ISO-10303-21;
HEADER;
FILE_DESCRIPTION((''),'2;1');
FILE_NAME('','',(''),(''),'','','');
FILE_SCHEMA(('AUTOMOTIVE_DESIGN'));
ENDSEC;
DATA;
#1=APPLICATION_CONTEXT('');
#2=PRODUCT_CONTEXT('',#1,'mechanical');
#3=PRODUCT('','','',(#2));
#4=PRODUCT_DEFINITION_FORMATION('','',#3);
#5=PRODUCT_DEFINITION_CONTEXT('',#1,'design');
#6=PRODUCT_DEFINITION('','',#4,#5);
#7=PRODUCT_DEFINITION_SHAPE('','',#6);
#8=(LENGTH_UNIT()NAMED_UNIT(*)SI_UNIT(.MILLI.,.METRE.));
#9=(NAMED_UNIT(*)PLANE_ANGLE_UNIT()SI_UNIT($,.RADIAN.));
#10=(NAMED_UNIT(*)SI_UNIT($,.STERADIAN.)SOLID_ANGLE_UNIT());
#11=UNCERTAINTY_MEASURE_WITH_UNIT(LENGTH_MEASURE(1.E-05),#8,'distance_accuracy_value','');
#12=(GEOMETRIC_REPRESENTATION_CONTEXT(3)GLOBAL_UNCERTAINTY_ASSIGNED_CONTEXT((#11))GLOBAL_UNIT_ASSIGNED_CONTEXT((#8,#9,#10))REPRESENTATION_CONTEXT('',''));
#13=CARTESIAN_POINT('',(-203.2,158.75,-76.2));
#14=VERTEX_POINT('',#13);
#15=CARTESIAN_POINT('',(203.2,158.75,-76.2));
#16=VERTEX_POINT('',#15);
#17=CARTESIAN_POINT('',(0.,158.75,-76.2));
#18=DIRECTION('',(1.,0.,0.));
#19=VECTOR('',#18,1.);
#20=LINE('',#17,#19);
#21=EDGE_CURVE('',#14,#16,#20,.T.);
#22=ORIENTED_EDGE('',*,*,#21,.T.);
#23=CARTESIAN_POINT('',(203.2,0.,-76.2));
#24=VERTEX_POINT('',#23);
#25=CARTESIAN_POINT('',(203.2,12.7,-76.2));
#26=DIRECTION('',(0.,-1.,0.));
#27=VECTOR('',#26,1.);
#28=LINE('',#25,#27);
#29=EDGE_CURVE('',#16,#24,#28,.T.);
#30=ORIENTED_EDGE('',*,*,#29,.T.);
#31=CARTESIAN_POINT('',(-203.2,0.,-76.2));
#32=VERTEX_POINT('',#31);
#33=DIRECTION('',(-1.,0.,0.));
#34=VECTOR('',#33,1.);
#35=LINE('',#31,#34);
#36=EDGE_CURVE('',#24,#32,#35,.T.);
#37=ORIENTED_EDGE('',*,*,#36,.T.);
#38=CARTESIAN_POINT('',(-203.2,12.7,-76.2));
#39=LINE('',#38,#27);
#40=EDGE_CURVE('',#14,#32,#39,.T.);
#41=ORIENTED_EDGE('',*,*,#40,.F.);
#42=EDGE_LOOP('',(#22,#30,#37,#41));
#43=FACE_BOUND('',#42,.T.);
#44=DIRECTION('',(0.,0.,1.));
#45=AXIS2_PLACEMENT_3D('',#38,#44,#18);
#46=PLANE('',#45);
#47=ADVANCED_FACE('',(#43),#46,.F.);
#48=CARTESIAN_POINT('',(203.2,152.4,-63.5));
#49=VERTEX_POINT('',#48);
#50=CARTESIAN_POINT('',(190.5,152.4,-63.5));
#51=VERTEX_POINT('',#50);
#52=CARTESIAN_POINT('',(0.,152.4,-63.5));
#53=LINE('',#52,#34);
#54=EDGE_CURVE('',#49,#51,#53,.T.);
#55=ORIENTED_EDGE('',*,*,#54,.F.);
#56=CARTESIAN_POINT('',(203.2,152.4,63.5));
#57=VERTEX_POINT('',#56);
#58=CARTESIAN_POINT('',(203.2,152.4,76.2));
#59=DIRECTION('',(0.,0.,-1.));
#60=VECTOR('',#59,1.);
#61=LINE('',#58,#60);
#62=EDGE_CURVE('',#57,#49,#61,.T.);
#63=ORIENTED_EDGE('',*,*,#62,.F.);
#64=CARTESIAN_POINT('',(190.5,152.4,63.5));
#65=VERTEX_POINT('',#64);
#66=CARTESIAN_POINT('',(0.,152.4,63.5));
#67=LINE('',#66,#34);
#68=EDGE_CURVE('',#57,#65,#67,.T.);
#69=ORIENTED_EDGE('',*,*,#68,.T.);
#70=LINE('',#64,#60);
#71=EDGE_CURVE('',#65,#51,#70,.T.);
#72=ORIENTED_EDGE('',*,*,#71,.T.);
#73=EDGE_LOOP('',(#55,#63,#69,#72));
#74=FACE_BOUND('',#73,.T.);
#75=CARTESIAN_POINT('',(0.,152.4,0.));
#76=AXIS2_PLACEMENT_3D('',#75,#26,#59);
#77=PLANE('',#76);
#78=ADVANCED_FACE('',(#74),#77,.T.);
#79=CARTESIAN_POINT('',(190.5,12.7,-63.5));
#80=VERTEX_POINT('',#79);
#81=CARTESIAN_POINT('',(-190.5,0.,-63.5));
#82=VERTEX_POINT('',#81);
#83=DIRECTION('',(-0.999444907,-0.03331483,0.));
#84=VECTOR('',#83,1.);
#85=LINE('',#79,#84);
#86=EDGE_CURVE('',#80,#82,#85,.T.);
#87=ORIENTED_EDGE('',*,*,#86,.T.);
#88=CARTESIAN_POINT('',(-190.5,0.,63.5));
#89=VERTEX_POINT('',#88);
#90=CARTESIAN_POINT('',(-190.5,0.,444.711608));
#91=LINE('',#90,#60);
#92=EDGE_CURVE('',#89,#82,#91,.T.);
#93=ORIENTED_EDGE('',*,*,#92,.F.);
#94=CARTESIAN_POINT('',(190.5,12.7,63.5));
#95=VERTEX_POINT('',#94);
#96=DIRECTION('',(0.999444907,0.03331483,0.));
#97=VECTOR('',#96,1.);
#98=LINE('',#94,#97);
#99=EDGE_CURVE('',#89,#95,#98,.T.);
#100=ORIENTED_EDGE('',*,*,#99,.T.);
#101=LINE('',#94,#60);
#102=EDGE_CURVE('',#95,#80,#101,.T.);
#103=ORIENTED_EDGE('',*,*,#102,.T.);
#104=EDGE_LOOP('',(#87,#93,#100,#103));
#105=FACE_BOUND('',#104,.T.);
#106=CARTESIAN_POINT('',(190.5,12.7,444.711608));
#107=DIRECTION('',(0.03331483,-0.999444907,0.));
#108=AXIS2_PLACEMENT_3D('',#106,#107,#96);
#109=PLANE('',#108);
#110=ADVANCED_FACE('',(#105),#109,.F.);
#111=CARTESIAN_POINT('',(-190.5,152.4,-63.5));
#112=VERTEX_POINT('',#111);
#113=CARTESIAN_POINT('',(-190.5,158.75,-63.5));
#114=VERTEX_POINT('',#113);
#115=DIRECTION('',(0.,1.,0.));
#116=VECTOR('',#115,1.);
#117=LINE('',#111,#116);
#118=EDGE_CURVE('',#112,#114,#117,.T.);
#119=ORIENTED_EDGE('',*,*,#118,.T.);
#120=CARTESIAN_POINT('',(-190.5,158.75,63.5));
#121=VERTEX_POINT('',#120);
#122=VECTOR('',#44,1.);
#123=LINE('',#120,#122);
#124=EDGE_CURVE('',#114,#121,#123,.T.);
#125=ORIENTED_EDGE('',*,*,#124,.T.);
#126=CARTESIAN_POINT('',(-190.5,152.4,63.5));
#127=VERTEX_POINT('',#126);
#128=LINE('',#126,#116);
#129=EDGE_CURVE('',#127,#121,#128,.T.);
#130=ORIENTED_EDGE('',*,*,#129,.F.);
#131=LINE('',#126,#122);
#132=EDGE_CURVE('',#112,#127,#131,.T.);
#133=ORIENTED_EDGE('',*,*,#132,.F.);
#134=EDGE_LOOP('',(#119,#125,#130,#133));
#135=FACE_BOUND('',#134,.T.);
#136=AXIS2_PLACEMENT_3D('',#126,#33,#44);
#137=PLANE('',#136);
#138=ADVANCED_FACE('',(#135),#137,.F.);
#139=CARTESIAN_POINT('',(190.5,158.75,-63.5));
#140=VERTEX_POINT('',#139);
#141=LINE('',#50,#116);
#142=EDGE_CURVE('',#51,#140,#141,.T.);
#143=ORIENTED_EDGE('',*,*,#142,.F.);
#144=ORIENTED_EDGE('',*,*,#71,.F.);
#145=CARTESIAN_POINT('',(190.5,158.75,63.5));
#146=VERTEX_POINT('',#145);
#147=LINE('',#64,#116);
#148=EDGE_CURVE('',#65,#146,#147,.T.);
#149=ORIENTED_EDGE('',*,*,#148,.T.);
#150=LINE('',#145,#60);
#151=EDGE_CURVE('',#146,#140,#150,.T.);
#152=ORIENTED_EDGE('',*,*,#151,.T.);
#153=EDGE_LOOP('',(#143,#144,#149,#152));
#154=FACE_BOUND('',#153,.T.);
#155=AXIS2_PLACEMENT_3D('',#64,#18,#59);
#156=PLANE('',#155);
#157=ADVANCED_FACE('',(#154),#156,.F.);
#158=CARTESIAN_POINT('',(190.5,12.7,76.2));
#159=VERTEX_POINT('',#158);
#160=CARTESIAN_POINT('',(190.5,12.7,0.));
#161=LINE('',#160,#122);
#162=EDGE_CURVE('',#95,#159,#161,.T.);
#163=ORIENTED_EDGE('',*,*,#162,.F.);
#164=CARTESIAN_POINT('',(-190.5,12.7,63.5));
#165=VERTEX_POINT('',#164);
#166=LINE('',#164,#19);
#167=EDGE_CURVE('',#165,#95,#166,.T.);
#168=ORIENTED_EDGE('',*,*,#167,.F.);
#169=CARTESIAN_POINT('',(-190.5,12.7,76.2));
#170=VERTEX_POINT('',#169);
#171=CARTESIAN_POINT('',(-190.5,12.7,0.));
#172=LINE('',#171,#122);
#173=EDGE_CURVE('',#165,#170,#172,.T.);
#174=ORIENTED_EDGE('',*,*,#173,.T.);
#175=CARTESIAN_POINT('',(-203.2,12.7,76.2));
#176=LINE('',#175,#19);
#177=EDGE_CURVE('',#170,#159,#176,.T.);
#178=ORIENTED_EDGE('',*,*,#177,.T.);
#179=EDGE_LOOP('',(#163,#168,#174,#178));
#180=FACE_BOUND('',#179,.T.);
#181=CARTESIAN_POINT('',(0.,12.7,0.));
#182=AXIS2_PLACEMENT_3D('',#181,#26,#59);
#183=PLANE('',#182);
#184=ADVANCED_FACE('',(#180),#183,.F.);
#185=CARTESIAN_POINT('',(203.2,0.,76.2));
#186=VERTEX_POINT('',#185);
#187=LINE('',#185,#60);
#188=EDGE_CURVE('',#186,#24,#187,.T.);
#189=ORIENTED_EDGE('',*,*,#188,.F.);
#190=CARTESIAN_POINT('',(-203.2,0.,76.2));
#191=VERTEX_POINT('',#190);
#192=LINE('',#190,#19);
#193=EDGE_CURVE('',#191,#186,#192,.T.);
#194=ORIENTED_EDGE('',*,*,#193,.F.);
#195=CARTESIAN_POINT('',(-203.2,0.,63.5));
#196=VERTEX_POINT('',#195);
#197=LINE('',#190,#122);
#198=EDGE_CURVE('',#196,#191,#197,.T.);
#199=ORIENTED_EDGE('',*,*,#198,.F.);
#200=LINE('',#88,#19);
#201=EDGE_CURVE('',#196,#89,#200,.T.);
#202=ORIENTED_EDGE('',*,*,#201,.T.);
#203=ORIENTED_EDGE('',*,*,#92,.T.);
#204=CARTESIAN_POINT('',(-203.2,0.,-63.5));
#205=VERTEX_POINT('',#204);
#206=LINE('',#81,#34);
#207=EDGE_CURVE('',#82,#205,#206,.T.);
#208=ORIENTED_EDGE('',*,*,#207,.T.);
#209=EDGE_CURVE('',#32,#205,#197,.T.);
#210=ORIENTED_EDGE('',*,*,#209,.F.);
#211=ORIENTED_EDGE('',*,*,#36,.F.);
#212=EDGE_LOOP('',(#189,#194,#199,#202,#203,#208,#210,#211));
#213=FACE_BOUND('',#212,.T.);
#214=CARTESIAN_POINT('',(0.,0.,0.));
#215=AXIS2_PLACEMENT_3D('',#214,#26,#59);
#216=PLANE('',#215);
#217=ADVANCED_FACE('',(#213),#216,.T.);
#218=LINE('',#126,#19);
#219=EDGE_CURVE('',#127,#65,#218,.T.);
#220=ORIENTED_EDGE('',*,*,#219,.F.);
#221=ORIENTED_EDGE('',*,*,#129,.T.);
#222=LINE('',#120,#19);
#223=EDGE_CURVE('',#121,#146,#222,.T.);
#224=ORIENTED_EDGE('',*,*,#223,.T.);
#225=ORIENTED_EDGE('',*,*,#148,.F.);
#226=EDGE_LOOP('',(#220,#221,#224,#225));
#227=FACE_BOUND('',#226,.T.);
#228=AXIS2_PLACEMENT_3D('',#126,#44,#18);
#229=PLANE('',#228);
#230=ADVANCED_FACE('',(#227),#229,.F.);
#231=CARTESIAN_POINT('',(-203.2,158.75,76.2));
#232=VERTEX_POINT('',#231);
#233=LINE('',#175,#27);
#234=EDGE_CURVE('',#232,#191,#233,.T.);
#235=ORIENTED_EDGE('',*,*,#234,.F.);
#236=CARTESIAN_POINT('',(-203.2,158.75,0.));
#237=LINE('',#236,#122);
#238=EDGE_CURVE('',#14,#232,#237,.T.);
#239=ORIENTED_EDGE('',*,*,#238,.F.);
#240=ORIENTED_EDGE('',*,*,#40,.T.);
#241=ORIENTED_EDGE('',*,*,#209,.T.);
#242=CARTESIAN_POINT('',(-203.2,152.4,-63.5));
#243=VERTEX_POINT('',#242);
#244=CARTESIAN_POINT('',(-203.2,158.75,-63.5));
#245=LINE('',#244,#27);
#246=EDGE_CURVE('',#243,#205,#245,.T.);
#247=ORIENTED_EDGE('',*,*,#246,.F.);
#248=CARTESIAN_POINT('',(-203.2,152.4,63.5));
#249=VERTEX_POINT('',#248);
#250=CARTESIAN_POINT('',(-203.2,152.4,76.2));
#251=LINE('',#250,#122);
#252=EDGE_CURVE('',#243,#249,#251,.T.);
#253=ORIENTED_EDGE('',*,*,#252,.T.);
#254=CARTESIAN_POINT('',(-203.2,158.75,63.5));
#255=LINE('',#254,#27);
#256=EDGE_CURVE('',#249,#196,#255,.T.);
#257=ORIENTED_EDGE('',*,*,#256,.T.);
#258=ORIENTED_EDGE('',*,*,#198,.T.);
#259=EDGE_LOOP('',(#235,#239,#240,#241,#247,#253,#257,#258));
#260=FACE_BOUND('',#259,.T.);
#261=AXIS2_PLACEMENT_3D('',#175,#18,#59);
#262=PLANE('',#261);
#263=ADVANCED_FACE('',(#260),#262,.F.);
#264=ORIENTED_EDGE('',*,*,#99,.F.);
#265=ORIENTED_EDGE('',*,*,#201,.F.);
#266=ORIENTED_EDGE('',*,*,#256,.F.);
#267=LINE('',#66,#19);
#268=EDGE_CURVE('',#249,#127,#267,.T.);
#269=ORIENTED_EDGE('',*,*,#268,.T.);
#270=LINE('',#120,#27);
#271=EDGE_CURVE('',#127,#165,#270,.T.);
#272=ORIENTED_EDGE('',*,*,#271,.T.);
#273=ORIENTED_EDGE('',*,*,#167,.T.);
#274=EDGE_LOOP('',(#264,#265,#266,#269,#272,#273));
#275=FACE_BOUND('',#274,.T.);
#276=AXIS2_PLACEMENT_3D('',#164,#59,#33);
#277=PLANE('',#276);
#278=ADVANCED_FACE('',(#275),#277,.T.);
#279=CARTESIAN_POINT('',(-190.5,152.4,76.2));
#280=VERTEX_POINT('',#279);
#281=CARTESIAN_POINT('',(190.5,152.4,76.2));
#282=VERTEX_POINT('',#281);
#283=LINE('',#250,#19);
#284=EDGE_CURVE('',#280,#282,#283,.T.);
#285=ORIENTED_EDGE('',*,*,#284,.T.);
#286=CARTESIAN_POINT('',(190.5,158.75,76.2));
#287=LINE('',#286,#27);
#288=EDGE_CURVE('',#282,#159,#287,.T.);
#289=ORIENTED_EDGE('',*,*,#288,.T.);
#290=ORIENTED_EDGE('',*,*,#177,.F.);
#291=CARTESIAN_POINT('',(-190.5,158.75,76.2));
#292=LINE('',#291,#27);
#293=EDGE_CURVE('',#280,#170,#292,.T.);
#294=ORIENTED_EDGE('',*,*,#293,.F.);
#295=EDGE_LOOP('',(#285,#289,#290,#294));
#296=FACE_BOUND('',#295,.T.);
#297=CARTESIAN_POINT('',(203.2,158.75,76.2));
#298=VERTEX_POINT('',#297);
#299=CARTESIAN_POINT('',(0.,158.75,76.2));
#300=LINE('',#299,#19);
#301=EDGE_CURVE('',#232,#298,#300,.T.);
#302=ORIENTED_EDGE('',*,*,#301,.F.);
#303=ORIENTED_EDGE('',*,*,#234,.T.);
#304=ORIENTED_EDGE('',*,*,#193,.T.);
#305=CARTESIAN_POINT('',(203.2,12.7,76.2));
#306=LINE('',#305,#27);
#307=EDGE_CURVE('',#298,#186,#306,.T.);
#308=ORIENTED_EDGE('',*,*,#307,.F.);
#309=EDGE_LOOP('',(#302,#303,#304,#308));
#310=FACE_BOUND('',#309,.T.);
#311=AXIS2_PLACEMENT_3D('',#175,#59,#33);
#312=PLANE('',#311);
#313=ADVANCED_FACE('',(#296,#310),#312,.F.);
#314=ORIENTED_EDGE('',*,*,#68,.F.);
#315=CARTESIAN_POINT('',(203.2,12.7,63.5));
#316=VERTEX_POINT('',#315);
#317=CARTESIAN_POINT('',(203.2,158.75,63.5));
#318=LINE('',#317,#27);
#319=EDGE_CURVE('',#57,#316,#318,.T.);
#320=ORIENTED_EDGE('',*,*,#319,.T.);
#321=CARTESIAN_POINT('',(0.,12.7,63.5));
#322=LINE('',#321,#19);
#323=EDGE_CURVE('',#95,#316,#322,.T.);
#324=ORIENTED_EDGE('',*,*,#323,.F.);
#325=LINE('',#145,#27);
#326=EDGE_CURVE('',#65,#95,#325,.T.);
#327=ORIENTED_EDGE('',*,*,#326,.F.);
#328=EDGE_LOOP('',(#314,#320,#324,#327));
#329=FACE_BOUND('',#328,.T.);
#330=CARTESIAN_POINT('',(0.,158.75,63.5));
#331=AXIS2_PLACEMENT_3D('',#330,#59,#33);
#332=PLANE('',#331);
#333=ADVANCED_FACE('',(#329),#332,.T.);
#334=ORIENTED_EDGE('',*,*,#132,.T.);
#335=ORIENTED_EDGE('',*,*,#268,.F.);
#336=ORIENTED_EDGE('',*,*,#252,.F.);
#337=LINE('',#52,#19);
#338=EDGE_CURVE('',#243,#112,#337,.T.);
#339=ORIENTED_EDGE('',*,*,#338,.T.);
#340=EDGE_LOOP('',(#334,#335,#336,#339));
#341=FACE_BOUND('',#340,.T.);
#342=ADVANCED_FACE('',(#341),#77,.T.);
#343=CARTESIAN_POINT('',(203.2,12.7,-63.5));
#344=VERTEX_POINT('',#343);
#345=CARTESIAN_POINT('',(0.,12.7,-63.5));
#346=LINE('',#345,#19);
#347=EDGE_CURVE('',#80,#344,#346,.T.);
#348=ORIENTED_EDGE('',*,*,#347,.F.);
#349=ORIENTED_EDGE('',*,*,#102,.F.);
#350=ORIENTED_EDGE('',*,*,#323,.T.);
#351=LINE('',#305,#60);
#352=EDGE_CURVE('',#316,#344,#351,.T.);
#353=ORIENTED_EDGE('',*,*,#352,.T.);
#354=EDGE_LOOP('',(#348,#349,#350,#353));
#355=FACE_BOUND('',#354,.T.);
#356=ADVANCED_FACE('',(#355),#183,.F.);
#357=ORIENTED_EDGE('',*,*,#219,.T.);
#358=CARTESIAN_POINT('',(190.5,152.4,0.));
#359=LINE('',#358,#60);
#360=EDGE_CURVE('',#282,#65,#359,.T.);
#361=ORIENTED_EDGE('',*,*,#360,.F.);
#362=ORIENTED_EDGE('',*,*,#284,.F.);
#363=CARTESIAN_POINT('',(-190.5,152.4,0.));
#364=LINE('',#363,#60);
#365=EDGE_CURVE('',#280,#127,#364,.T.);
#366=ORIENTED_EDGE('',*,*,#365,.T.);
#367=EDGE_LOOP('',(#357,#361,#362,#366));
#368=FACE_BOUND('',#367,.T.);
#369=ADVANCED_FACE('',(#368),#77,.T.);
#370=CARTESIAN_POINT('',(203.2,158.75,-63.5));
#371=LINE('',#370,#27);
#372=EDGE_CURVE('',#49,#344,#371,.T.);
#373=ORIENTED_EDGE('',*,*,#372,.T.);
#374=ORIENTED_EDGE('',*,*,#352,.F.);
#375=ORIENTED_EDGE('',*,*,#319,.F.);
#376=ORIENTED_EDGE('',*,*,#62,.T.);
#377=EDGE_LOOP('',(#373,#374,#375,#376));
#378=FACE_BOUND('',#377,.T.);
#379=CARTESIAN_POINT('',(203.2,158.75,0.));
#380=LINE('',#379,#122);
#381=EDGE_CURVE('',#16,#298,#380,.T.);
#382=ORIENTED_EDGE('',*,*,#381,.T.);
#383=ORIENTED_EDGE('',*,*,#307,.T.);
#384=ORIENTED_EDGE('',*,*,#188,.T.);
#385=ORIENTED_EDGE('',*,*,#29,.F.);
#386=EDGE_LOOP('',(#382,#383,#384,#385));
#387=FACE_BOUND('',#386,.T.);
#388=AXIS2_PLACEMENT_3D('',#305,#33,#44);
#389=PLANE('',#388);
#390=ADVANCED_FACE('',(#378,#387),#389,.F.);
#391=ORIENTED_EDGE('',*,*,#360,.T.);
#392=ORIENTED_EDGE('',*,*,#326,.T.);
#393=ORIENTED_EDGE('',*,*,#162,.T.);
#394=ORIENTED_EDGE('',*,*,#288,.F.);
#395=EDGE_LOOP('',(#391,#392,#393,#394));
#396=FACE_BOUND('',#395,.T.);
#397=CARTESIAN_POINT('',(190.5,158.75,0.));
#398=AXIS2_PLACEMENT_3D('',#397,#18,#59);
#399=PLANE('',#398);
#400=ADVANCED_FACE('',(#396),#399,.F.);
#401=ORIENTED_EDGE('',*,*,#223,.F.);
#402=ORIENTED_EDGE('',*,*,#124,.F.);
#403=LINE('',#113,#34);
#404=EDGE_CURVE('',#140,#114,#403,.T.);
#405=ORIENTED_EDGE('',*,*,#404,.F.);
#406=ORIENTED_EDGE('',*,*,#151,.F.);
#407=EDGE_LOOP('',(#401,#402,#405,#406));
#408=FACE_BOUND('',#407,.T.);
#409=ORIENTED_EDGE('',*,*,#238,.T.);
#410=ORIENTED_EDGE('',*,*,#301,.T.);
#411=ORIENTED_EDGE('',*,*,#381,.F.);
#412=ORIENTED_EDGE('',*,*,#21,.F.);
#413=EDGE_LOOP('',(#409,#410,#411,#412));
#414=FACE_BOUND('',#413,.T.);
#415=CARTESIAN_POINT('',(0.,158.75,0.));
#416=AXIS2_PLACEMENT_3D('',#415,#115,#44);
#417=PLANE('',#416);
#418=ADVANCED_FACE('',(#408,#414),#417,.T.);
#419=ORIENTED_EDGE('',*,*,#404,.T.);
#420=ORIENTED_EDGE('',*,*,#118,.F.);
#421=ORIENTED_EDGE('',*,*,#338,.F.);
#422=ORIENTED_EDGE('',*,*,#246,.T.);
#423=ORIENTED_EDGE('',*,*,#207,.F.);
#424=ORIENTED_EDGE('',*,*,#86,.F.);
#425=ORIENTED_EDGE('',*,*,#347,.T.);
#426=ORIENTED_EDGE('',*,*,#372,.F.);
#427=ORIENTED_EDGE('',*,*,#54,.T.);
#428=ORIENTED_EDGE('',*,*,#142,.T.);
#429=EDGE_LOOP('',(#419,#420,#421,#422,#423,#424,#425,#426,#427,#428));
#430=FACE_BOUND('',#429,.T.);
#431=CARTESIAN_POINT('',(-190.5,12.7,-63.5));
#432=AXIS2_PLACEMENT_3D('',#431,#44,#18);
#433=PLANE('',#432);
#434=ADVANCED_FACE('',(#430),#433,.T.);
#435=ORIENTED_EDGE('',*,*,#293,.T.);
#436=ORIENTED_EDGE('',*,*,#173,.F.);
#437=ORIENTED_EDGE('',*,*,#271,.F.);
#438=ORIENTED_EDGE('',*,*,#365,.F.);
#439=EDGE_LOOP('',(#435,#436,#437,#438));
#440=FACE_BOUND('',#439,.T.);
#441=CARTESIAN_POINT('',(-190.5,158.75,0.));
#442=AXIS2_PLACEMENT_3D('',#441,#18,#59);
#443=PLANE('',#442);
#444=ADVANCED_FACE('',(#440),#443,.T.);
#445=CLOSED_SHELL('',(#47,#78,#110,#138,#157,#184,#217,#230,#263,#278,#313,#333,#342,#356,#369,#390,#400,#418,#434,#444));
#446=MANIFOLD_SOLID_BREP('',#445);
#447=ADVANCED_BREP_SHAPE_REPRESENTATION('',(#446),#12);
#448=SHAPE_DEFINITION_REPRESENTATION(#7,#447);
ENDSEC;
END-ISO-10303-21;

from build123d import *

# Parameters (mm, degrees)
SKETCH1_W                                  = 406.4
SKETCH1_H                                  = 152.4
SKETCH1_W_2                                = 381
SKETCH1_H_2                                = 127
BOSS_EXTRUDE1_DEPTH                        = 12.7
SKETCH2_W                                  = 12.7
SKETCH2_H                                  = 12.7
BOSS_EXTRUDE2_DEPTH                        = 146.05
MIRROR1_AT_THE_SECOND_PLANE_COPY_1_SKETC_W = 12.7
MIRROR1_AT_THE_SECOND_PLANE_COPY_1_SKETC_H = 12.7
MIRROR1_AT_THE_SECOND_PLANE_COPY_1_DEPTH   = 146.05
SKETCH3_W                                  = 406.4
SKETCH3_H                                  = 152.4
SKETCH3_W_2                                = 381
SKETCH3_H_2                                = 127
BOSS_EXTRUDE3_DEPTH                        = 6.35
SKETCH4_W                                  = 406.4
SKETCH4_H                                  = 158.75
BOSS_EXTRUDE4_DEPTH                        = 12.7
SKETCH6_W                                  = 12.7
SKETCH6_H                                  = 12.7
CUT_EXTRUDE1_DEPTH                         = 127
BOSS_EXTRUDE6_DEPTH                        = 127


with BuildPart() as part:
    # Sketch1 → Boss-Extrude1 (new body)
    with BuildSketch(Plane(origin=(0, 0, 0), x_dir=(1, 0, 0), z_dir=(0, 1, 0))):
        Rectangle(SKETCH1_W, SKETCH1_H)
        Rectangle(SKETCH1_W_2, SKETCH1_H_2, mode=Mode.SUBTRACT)
    extrude(amount=BOSS_EXTRUDE1_DEPTH)

    # Sketch2 → Boss-Extrude2 (add)
    with BuildSketch(Plane(origin=(0, 12.7, 0), x_dir=(1, 0, 0), z_dir=(0, 1, 0))):
        with Locations((-196.85, -69.85)):
            Rectangle(SKETCH2_W, SKETCH2_H)
    boss_extrude2 = extrude(amount=BOSS_EXTRUDE2_DEPTH)

    # Mirror1: Boss-Extrude2 across plane
    add(boss_extrude2.mirror(Plane(origin=(0, 0, 0), x_dir=(0, 0, 1), z_dir=(1, 0, 0))))

    # Mirror1 at the second plane: Boss-Extrude2 across plane
    add(boss_extrude2.mirror(Plane.XY))

    # Mirror1 at the second plane copy 1 sketc → Mirror1 at the second plane copy 1 (add)
    with BuildSketch(Plane(origin=(0, 12.7, 0), x_dir=(-1, 0, 0), z_dir=(0, 1, 0))):
        with Locations((-196.85, -69.85)):
            Rectangle(MIRROR1_AT_THE_SECOND_PLANE_COPY_1_SKETC_W, MIRROR1_AT_THE_SECOND_PLANE_COPY_1_SKETC_H)
    extrude(amount=MIRROR1_AT_THE_SECOND_PLANE_COPY_1_DEPTH)

    # Sketch3 → Boss-Extrude3 (add)
    with BuildSketch(Plane(origin=(0, 158.75, 0), x_dir=(1, 0, 0), z_dir=(0, 1, 0))):
        Rectangle(SKETCH3_W, SKETCH3_H)
        Rectangle(SKETCH3_W_2, SKETCH3_H_2, mode=Mode.SUBTRACT)
    extrude(amount=-BOSS_EXTRUDE3_DEPTH)

    # Sketch4 → Boss-Extrude4 (add)
    with BuildSketch(Plane(origin=(0, 0, -76.2), x_dir=(-1, 0, 0), z_dir=(0, 0, -1))):
        with Locations((0, 79.375)):
            Rectangle(SKETCH4_W, SKETCH4_H)
    extrude(amount=-BOSS_EXTRUDE4_DEPTH)

    # Sketch6 → Cut-Extrude1 (cut)
    with BuildSketch(Plane.XY.offset(-63.5)):
        with Locations((-196.85, 6.35)):
            Rectangle(SKETCH6_W, SKETCH6_H)
    extrude(amount=CUT_EXTRUDE1_DEPTH, mode=Mode.SUBTRACT)

    # Sketch5 → Boss-Extrude6 (add)
    with BuildSketch(Plane.XY.offset(-63.5)):
        Polygon((190.5, 12.7), (-190.5, 0), (190.5, 0), align=None)
    extrude(amount=BOSS_EXTRUDE6_DEPTH)


solid = part.part
